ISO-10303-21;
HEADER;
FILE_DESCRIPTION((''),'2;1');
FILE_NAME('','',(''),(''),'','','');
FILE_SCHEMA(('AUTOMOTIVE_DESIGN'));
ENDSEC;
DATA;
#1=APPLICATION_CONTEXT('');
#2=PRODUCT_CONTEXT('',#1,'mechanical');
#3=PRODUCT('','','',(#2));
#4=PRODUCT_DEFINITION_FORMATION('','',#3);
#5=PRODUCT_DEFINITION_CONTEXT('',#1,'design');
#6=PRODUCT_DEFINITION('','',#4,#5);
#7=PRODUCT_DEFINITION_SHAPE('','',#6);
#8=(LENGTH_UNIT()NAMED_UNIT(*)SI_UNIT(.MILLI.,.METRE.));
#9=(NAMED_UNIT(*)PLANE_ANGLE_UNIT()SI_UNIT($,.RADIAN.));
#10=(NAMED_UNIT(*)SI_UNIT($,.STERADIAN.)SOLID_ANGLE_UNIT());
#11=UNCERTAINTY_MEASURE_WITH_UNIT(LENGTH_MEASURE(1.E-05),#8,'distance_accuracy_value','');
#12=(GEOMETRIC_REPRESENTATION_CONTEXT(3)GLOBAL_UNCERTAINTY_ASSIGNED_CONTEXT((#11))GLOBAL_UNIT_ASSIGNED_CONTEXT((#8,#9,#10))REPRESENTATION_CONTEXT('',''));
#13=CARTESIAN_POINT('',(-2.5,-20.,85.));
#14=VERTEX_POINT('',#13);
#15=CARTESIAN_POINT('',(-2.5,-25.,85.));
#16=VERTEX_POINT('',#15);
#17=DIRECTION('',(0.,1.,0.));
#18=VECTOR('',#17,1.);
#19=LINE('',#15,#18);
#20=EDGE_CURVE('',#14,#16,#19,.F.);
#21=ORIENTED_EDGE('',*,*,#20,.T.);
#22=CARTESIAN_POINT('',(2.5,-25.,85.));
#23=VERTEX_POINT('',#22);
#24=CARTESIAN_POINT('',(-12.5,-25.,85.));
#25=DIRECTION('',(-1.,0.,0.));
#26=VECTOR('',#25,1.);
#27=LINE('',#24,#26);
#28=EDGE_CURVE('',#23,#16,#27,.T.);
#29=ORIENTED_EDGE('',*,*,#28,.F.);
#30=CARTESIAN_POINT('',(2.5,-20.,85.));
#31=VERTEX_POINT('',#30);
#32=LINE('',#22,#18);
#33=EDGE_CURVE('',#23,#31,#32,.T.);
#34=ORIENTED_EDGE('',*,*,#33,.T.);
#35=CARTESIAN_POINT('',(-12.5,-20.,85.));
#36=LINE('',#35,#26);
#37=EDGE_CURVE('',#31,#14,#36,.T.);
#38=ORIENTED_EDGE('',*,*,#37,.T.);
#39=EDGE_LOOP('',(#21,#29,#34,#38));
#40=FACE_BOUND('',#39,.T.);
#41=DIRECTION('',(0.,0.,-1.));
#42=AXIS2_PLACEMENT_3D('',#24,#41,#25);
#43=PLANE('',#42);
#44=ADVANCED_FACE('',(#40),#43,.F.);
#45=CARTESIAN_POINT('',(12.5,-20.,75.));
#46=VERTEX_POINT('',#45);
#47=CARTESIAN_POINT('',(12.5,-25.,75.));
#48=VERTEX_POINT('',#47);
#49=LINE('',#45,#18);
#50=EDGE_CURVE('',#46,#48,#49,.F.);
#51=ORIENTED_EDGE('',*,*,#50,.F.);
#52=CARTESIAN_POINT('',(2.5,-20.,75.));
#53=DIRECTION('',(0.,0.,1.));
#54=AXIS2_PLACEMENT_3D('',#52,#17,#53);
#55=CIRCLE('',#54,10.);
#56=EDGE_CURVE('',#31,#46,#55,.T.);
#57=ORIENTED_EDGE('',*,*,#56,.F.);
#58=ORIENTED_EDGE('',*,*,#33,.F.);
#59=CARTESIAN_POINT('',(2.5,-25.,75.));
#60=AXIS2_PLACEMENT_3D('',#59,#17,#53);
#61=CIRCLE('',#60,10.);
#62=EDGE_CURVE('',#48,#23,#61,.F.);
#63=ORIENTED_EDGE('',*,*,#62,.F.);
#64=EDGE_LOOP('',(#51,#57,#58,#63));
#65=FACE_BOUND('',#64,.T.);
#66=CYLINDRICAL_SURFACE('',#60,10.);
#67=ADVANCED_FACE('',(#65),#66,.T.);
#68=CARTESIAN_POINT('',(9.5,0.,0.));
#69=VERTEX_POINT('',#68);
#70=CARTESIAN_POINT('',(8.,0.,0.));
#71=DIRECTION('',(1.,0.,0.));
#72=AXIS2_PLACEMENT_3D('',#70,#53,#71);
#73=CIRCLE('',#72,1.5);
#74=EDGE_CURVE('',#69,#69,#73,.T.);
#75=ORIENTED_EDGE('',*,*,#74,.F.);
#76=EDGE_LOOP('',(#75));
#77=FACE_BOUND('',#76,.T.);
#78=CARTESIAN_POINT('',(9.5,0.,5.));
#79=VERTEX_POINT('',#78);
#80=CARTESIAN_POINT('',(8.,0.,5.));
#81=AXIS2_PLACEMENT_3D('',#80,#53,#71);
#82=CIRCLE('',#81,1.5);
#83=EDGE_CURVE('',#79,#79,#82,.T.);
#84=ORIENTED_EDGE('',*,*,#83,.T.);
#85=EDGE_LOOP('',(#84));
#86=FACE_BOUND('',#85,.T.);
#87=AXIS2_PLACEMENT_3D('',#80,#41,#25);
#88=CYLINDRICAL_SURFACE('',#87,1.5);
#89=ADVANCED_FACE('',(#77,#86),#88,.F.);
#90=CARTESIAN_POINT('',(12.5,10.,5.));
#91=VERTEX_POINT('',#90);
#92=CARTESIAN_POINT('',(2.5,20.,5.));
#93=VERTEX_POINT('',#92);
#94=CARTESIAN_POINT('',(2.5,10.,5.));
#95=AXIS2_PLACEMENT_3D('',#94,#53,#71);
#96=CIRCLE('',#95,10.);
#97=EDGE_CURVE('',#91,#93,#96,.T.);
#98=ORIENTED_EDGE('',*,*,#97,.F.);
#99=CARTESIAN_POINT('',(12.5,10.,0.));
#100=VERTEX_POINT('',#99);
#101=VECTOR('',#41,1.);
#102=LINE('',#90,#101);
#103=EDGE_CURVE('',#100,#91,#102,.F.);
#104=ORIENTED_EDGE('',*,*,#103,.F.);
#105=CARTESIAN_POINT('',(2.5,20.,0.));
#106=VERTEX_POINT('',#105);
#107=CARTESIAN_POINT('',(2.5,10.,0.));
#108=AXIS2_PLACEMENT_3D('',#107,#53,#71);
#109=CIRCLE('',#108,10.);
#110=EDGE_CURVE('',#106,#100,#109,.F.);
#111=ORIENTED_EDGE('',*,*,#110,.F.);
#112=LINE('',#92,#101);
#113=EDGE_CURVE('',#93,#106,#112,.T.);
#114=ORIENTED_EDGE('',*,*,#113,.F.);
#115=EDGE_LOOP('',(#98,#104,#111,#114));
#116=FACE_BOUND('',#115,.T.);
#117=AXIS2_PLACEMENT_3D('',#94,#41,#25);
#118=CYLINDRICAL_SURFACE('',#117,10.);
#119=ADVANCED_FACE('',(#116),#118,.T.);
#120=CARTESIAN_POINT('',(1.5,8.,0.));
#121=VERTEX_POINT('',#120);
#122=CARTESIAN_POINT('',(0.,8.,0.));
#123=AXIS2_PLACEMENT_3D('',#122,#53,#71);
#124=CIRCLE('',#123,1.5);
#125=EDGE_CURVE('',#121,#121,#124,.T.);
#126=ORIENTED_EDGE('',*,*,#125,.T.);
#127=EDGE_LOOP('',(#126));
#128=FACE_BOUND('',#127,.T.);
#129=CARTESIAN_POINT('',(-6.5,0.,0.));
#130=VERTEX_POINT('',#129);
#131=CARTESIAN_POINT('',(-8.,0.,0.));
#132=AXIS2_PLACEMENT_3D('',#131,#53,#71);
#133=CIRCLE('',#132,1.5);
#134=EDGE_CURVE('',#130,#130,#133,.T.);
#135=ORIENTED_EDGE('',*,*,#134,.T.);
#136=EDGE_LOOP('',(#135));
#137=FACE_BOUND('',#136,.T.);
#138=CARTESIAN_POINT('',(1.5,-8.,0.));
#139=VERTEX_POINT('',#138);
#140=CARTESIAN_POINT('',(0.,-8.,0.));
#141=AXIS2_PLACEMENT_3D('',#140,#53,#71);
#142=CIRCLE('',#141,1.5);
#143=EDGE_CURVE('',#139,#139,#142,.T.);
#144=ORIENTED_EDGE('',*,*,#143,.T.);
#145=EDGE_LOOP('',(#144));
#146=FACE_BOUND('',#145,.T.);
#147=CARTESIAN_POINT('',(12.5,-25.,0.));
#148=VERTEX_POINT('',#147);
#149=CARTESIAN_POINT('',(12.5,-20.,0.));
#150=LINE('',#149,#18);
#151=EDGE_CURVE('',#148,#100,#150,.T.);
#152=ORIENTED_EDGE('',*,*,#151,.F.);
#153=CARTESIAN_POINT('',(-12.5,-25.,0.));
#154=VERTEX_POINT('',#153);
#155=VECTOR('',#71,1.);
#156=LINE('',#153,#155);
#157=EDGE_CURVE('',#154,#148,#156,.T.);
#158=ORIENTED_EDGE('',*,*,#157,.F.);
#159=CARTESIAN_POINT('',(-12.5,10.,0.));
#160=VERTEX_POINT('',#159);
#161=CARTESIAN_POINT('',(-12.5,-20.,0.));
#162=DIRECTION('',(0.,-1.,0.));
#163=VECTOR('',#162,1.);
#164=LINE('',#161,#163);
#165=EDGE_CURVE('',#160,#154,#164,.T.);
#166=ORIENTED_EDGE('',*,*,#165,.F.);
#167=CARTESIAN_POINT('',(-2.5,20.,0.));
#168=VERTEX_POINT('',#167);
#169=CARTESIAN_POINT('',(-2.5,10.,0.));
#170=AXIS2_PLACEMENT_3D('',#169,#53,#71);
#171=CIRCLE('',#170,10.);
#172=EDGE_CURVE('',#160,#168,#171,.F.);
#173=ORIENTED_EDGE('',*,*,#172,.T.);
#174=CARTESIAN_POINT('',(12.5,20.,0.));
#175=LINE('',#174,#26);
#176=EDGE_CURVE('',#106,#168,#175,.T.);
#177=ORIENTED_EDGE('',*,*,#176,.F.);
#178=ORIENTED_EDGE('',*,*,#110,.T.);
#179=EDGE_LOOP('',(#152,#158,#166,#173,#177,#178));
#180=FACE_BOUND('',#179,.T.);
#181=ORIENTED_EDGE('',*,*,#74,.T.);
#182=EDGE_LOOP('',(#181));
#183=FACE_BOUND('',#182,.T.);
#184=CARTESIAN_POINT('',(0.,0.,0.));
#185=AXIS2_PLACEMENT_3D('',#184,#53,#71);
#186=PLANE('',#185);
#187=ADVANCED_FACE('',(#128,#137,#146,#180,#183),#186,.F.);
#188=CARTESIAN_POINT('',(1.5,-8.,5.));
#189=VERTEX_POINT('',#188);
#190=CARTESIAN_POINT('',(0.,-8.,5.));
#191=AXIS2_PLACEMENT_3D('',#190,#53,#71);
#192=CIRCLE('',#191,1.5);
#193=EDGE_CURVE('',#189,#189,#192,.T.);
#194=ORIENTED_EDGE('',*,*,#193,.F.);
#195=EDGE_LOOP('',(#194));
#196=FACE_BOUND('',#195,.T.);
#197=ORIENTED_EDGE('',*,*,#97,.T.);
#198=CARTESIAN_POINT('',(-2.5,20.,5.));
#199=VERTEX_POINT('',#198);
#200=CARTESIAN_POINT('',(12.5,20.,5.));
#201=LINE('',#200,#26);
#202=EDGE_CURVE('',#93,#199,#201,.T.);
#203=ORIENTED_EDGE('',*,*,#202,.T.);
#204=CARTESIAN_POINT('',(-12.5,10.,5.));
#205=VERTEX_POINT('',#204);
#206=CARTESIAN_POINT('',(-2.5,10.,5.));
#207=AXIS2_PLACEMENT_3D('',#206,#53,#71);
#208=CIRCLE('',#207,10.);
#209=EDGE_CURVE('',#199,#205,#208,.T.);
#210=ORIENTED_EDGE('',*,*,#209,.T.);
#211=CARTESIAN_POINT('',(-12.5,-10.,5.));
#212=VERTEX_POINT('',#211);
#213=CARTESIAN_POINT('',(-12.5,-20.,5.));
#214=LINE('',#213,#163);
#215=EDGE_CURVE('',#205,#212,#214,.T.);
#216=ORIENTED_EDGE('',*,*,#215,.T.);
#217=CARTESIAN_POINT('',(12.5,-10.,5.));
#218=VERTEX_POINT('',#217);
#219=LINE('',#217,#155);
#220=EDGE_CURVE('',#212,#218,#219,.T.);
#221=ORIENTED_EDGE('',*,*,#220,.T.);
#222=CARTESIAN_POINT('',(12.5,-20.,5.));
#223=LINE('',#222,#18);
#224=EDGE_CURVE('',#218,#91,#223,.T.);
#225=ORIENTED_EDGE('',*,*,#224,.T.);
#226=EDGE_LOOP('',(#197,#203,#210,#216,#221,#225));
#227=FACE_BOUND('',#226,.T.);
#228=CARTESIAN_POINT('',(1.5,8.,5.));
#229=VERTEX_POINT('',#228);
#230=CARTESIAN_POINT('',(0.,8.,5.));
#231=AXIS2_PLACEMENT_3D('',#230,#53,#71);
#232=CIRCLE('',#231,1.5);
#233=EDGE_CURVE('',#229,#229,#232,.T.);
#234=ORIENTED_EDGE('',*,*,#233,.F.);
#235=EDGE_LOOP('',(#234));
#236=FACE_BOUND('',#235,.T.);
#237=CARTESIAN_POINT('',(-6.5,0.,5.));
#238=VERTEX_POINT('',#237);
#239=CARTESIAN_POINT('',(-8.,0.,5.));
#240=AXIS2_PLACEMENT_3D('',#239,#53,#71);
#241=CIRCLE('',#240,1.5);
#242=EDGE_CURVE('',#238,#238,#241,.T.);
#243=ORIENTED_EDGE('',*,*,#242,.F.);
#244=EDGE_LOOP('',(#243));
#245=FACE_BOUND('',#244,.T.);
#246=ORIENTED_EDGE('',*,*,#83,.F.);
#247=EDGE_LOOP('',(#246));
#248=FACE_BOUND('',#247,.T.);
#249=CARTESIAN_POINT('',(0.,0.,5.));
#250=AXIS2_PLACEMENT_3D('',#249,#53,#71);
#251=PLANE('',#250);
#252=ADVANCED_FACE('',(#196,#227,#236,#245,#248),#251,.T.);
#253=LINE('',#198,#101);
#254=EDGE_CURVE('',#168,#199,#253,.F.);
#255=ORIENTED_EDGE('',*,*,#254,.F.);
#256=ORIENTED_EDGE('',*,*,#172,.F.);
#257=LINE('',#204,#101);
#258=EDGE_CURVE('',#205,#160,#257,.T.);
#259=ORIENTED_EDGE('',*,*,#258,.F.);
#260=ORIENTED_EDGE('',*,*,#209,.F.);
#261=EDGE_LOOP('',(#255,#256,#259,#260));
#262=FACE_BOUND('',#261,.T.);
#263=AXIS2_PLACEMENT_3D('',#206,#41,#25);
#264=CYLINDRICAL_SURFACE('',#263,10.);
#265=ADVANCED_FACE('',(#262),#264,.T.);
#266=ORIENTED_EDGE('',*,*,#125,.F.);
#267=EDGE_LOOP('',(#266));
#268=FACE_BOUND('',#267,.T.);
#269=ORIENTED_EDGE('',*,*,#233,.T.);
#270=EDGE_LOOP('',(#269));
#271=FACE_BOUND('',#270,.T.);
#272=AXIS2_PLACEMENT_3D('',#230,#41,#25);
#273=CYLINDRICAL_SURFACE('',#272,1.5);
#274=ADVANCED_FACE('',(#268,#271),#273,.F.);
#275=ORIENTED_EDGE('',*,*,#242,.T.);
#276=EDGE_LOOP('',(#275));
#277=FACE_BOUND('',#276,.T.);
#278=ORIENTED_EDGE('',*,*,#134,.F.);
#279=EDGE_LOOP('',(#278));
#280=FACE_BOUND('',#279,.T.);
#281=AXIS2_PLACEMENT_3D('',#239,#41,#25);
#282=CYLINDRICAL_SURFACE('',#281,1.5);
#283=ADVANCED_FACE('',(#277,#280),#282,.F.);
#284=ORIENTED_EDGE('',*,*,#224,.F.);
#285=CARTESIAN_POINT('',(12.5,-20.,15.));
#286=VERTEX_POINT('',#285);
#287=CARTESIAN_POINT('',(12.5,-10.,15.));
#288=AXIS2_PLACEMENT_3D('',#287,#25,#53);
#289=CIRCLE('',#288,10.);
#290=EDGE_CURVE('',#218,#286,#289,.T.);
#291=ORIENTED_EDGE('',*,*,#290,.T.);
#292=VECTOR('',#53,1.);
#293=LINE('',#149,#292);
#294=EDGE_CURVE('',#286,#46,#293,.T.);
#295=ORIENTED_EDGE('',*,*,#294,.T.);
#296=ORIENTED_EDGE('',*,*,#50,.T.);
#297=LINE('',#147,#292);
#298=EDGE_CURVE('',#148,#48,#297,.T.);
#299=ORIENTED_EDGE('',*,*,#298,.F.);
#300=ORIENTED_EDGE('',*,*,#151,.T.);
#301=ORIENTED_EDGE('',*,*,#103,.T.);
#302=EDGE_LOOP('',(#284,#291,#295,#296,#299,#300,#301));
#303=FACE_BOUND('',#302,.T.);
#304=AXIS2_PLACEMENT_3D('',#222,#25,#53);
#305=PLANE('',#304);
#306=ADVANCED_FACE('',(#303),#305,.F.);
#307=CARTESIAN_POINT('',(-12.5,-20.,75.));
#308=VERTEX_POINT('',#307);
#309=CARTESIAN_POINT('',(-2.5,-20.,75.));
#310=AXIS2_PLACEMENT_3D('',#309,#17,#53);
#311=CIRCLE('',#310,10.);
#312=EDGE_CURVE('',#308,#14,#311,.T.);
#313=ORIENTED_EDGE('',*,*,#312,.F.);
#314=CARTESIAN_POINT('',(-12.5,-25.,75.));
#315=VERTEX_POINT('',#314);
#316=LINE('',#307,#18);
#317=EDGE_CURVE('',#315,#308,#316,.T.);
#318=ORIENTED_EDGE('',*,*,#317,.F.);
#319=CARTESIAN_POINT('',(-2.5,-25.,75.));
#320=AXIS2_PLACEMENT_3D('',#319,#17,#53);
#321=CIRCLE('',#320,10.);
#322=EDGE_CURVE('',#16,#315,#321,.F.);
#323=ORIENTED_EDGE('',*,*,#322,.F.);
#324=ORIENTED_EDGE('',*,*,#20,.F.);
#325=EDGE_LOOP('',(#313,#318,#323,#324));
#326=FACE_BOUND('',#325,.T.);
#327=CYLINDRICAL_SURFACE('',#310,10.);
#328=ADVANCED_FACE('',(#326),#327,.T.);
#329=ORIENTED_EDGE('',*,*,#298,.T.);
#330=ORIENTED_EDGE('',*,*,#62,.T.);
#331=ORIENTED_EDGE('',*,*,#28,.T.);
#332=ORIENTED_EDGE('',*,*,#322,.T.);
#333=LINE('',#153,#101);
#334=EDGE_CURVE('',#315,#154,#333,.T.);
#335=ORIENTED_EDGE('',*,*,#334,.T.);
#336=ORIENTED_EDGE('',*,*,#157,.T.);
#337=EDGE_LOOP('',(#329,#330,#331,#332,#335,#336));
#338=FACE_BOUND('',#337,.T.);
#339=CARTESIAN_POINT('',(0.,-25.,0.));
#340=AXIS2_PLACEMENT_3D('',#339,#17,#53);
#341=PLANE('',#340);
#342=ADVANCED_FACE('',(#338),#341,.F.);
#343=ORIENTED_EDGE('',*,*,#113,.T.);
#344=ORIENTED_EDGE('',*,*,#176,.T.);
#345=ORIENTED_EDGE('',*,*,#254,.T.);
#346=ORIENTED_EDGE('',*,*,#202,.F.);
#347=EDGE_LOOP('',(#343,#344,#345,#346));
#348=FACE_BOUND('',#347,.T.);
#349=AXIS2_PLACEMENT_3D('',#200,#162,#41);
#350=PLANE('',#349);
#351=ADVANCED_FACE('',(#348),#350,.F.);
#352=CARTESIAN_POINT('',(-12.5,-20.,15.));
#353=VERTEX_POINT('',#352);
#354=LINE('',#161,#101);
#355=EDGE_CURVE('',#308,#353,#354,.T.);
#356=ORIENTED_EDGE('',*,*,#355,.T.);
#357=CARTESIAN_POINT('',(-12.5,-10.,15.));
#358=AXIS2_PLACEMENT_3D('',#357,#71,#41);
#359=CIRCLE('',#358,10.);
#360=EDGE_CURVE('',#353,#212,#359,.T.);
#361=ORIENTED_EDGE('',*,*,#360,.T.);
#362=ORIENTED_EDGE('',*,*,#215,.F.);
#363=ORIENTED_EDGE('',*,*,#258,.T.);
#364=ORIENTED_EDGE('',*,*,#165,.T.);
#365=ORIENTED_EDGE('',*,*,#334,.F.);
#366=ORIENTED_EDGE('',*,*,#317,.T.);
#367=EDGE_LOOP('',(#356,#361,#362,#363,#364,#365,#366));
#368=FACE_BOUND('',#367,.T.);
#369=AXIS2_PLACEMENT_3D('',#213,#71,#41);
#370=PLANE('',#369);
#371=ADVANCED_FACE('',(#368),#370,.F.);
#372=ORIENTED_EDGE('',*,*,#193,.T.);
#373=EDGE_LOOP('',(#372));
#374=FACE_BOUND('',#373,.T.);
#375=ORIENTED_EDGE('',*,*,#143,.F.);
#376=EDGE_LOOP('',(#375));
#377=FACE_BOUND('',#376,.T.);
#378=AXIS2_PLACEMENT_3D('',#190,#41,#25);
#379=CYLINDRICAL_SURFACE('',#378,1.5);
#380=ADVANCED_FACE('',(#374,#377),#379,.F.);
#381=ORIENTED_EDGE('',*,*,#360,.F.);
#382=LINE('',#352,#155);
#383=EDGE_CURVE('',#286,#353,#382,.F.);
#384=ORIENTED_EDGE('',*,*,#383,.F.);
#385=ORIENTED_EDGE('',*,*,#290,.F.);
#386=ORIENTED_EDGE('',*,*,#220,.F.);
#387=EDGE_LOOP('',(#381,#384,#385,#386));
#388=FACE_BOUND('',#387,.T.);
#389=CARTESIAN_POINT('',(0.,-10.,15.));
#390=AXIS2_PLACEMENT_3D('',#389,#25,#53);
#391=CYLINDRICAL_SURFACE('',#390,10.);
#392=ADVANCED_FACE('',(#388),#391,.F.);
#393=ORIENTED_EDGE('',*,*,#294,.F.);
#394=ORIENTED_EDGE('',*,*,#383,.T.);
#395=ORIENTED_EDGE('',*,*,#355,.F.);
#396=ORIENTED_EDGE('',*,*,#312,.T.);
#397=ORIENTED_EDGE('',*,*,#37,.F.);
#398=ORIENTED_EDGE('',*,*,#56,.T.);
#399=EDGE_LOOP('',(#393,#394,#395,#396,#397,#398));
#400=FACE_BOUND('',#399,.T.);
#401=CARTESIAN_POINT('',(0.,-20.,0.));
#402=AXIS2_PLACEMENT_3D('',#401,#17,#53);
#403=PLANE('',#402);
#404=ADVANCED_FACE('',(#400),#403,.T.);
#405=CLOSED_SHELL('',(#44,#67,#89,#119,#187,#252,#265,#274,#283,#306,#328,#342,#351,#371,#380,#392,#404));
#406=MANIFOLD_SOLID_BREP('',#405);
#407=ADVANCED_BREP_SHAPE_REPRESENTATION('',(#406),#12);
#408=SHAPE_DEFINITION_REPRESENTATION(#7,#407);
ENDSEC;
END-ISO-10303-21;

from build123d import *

# Parameters (mm, degrees)
SKETCH_1_W      = 25
SKETCH_1_H      = 40
SKETCH_1_R      = 1.5
EXTRUDE_1_DEPTH = 5
SKETCH_2_W      = 25
SKETCH_2_H      = 85
EXTRUDE_2_DEPTH = 5
FILLET_1_R      = 10


with BuildPart() as part:
    # 草图1 → 凸台-拉伸1 (new body)
    with BuildSketch(Plane.XY):
        Rectangle(SKETCH_1_W, SKETCH_1_H)
        with Locations((0, 8)):
            Circle(SKETCH_1_R, mode=Mode.SUBTRACT)
        with Locations((8, 0)):
            Circle(SKETCH_1_R, mode=Mode.SUBTRACT)
        with Locations((0, -8)):
            Circle(SKETCH_1_R, mode=Mode.SUBTRACT)
        with Locations((-8, 0)):
            Circle(SKETCH_1_R, mode=Mode.SUBTRACT)
    extrude(amount=EXTRUDE_1_DEPTH)

    # 草图2 → 凸台-拉伸2 (add)
    with BuildSketch(Plane.XZ.offset(20)):
        with Locations((0, 42.5)):
            Rectangle(SKETCH_2_W, SKETCH_2_H)
    extrude(amount=EXTRUDE_2_DEPTH)

    # 圆角1
    fillet_1_edges = [part.edges().sort_by_distance(p)[0] for p in [
        (-12.5, -22.5, 85),
        (12.5, -22.5, 85),
        (-12.5, 20, 2.5),
        (12.5, 20, 2.5),
        (0, -20, 5),
    ]]
    fillet(fillet_1_edges, radius=FILLET_1_R)


solid = part.part
